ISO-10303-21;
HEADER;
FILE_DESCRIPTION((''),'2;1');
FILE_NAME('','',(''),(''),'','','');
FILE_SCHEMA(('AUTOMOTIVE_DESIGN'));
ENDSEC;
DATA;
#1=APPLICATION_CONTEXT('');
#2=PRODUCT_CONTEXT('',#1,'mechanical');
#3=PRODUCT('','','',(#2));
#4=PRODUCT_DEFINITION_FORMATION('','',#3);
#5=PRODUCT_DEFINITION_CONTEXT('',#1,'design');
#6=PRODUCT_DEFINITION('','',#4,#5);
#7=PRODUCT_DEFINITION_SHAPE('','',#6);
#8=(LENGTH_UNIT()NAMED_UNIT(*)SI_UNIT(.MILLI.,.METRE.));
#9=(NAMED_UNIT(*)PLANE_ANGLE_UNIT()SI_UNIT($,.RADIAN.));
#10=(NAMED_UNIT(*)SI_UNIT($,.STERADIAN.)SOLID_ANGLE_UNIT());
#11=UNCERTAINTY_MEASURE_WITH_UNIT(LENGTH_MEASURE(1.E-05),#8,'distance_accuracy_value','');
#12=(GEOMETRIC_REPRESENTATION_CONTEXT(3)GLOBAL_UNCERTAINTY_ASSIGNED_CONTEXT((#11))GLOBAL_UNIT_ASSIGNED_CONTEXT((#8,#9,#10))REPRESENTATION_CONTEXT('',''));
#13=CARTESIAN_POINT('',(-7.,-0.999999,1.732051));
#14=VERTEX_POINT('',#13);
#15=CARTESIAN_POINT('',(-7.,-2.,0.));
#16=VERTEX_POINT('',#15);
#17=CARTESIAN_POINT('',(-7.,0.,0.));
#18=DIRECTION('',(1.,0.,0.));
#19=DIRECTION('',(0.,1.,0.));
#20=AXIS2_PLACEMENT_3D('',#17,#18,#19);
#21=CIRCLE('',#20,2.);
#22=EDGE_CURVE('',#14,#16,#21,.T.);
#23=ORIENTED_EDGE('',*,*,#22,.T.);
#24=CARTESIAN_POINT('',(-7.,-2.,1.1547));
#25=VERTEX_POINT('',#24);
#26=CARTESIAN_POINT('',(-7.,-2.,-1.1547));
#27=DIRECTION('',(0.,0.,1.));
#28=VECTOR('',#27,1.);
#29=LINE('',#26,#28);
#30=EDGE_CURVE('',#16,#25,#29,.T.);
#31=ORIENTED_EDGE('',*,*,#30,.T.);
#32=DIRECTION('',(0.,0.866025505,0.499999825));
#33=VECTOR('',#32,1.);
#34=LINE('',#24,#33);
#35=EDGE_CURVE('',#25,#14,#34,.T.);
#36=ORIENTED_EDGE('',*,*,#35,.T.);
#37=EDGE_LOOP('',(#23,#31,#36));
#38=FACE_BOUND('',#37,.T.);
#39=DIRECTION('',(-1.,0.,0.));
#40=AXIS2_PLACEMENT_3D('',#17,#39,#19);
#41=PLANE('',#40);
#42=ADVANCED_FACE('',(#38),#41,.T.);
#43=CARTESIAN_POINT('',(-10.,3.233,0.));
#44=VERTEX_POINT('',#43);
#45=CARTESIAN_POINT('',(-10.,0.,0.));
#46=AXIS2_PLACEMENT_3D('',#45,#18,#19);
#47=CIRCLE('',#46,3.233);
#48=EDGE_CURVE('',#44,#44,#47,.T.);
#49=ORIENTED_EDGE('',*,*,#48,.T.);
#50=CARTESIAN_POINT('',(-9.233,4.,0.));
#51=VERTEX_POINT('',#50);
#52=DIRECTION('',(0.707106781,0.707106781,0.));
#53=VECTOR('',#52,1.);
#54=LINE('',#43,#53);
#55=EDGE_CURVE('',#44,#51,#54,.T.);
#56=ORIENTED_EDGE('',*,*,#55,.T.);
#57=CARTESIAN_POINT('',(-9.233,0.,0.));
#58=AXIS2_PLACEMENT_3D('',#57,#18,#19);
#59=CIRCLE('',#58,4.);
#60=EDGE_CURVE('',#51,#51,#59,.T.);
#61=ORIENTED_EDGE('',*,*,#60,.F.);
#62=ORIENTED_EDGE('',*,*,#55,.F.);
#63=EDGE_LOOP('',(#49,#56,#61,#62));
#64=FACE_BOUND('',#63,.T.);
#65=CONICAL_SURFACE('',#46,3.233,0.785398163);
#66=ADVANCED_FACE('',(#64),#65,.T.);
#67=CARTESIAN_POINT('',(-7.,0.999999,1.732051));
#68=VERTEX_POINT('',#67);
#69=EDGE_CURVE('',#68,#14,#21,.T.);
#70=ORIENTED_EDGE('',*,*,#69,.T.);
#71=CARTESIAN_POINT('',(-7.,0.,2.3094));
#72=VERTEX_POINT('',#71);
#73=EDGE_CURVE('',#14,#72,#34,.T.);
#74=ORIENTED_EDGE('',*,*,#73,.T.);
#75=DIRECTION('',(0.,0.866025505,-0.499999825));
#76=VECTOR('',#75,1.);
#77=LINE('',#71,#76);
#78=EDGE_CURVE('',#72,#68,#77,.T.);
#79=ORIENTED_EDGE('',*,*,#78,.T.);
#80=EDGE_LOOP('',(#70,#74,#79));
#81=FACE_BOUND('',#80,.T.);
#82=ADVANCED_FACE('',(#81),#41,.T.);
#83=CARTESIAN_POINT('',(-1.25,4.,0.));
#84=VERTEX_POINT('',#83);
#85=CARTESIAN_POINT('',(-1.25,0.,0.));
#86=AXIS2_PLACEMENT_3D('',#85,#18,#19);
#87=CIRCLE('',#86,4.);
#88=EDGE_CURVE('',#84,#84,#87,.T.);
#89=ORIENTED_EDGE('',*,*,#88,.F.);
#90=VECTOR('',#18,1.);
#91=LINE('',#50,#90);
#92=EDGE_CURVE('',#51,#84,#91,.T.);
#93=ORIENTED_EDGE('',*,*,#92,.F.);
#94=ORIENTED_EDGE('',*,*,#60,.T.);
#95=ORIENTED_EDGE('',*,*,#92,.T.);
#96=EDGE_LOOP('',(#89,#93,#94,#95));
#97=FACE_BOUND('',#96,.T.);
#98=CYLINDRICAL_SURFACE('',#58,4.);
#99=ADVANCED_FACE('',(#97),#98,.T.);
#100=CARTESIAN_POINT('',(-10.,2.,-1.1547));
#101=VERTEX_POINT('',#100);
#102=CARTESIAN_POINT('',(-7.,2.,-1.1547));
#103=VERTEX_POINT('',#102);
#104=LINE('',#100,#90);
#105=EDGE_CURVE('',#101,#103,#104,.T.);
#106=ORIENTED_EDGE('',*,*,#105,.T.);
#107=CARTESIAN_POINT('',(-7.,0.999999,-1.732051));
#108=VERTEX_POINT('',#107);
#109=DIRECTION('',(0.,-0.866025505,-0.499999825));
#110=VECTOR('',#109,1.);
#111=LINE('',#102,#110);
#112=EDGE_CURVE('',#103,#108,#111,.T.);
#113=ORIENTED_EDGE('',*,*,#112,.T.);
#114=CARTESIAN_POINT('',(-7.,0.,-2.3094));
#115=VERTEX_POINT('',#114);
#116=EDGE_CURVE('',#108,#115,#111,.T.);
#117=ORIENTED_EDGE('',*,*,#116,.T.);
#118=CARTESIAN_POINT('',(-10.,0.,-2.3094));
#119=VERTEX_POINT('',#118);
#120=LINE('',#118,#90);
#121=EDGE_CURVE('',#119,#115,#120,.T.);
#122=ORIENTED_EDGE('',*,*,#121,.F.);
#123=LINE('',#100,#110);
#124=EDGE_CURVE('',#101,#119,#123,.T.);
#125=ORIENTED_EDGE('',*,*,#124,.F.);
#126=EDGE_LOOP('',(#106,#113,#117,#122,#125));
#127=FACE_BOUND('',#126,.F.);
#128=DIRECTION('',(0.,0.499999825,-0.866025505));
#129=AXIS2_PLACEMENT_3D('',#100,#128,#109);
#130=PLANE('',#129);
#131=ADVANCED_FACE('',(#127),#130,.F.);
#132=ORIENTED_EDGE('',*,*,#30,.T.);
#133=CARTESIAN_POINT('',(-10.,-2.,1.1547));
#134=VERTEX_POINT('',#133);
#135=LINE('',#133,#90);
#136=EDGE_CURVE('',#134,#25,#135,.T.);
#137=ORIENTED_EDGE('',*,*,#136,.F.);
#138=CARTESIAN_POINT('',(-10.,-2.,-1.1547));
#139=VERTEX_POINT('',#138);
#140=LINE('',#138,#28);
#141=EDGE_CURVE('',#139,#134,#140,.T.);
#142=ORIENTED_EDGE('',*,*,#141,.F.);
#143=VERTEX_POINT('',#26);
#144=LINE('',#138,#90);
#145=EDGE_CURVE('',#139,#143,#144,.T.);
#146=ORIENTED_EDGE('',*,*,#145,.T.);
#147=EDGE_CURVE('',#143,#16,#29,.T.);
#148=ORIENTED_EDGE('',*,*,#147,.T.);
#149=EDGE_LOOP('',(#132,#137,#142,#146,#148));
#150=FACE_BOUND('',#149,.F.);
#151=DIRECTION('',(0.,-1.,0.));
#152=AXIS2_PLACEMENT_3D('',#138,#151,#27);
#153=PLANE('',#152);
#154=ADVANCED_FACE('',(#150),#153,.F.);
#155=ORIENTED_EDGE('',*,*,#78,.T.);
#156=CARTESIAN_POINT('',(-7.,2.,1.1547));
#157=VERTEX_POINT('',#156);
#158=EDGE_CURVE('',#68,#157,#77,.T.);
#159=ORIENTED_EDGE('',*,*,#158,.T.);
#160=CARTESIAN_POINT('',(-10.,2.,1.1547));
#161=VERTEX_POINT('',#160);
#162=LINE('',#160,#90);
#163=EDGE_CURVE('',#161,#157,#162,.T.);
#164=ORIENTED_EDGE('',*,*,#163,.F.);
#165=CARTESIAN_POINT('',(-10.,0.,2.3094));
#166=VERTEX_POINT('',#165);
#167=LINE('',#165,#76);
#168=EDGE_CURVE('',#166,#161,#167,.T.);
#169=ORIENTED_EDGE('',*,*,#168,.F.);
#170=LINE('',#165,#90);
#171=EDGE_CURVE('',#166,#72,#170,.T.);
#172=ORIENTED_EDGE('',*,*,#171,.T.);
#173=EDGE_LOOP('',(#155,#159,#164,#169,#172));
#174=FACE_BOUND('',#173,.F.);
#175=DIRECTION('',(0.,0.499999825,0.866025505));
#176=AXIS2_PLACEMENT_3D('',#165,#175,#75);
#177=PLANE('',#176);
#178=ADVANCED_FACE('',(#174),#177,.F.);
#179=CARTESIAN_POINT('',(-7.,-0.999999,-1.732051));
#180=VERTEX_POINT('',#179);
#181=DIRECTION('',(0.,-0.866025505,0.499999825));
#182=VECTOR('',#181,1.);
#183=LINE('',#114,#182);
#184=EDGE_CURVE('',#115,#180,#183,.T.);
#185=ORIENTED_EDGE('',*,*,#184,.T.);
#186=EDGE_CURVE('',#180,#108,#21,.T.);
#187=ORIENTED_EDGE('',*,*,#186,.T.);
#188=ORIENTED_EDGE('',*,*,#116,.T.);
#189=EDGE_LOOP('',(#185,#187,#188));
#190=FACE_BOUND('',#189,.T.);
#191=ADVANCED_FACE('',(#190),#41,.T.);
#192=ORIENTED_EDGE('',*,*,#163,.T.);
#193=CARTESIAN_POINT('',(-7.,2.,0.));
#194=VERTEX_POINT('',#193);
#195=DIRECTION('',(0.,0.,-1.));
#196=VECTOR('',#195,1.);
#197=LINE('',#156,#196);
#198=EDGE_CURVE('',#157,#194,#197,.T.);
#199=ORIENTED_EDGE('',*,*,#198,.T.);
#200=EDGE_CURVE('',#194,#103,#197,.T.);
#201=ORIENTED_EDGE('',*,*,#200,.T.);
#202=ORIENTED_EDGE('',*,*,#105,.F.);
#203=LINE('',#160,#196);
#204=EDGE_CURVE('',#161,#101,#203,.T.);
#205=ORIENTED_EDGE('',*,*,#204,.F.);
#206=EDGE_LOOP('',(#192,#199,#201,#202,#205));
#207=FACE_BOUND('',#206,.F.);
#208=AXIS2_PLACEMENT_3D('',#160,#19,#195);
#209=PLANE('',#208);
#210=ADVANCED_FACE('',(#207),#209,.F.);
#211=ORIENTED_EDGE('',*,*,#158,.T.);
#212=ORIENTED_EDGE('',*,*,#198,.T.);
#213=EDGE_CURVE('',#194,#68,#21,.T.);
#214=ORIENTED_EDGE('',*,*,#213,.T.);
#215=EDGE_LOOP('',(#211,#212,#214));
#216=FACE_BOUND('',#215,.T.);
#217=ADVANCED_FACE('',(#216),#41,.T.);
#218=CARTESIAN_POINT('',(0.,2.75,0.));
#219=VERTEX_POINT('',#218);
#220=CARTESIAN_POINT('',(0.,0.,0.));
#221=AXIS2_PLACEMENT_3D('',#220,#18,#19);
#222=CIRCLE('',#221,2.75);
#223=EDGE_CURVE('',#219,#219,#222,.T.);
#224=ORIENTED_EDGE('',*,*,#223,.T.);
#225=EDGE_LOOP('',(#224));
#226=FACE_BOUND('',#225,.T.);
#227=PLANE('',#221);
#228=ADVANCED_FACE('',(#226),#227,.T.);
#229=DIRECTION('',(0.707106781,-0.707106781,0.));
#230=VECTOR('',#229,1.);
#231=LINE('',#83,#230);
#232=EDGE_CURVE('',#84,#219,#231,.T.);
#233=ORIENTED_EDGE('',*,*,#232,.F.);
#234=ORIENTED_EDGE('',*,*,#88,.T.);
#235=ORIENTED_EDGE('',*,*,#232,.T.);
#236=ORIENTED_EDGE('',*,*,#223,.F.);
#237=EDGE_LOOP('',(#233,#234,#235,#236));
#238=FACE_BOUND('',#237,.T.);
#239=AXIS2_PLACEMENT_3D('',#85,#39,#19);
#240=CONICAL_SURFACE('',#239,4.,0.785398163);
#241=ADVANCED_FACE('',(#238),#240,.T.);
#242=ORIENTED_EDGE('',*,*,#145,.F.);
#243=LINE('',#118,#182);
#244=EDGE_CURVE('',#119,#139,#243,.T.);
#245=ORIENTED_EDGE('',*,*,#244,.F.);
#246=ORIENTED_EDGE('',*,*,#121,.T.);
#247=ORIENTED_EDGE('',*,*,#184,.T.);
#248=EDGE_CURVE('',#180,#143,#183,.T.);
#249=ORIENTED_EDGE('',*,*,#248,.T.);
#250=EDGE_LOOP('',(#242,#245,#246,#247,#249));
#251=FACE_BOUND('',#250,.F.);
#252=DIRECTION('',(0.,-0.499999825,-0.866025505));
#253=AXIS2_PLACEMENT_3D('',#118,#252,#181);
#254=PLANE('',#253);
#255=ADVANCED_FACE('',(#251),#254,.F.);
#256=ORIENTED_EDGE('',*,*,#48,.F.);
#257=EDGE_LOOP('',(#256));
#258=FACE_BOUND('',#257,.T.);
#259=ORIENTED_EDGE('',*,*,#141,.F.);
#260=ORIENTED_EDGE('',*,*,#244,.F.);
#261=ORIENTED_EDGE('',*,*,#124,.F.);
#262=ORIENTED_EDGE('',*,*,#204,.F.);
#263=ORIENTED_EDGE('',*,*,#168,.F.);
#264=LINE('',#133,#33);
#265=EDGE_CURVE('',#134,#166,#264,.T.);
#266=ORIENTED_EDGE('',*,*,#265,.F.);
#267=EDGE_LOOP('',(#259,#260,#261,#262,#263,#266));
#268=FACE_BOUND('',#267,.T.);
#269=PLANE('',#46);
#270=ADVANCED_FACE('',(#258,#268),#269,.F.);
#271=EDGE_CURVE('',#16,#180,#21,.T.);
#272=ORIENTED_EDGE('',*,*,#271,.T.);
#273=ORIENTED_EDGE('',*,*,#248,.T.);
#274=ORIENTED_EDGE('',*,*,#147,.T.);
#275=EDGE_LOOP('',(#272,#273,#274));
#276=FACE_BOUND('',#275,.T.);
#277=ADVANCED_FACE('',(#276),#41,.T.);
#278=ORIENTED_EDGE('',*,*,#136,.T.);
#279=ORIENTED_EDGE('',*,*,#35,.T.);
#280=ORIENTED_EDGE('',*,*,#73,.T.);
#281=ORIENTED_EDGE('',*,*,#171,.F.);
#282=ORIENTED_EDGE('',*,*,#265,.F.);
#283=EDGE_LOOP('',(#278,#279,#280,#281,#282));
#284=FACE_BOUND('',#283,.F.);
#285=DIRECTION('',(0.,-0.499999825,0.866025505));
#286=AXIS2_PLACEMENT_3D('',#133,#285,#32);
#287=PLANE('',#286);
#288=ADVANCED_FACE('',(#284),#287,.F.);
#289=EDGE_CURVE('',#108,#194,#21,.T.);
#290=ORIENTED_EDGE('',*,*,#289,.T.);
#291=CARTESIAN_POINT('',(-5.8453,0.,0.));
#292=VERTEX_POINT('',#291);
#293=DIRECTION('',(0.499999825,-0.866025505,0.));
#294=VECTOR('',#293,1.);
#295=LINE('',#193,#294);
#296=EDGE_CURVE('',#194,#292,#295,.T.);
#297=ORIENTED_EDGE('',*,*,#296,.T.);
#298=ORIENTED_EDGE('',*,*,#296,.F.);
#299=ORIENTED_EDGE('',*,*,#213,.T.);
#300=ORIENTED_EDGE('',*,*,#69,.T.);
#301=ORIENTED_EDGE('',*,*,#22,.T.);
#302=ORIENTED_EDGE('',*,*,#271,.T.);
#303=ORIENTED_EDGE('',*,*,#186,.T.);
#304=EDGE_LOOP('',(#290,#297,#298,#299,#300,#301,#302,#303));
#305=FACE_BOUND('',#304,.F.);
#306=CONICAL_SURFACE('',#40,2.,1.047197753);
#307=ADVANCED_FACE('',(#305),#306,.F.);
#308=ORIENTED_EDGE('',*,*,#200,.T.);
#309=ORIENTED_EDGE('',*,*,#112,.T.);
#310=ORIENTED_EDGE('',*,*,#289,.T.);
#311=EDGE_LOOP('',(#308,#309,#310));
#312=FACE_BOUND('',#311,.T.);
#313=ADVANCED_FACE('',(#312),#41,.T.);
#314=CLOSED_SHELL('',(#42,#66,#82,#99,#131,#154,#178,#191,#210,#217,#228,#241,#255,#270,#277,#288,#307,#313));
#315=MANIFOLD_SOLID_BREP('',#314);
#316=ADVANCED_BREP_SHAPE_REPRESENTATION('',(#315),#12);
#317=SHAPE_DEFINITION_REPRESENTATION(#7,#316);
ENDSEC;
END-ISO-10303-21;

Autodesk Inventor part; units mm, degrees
sketch "Sketch_1" plane through (0, 0, 0) normal (0, 0, 1) x (1, 0, 0)
  line L0 (0, 0) -> (-10, 0)
  line L1 (-10, 0) -> (-10, 3.233)
  line L2 (-10, 3.233) -> (-9.233, 4)
  line L3 (-9.233, 4) -> (-1.25, 4)
  line L4 (-1.25, 4) -> (0, 2.75)
  line L5 (0, 2.75) -> (0, 0)
  line L6 (0, 0) -> (-10, 0)
revolve "Revolution1" add sketch "Sketch_1" angle 360 about axis through (0, 0, 0) along (1, 0, 0)
thread "Thread1" size "M8x1.25" class "6g" standard "ISO Metric profile" full length
sketch "Sketch_2" plane through (-10, 0, 0) normal (-1, 0, 0) x (0, 1, 0)
  line L0 (-2, -1.1547) -> (0, -2.3094)
  line L1 (0, -2.3094) -> (2, -1.1547)
  line L2 (2, -1.1547) -> (2, 1.1547)
  line L3 (2, 1.1547) -> (0, 2.3094)
  line L4 (0, 2.3094) -> (-2, 1.1547)
  line L5 (-2, 1.1547) -> (-2, -1.1547)
extrude "Extrusion1" cut sketch "Sketch_2" against normal blind 3
sketch "Sketch_3" plane through (0, 0, 0) normal (0, 0, 1) x (1, 0, 0)
  line L0 (-5.8453, 0) -> (-7, 0)
  line L1 (-7, 0) -> (-7, 2)
  line L2 (-7, 2) -> (-5.8453, 0)
  line L3 (-5.8453, 0) -> (-7, 0)
revolve "Revolution2" cut sketch "Sketch_3" angle 360 about axis through (-5.8453, 0, 0) along (1, 0, 0)
ref_plane "CP_XY" through (0, 0, 0) normal (1, 0, 0) x (0, 0, -1)
ref_plane "CP_YZ" through (0, 0, 0) normal (0, 0, -1) x (0, 1, 0)
ref_plane "CP_ZX" through (0, 0, 0) normal (0, 1, 0) x (1, 0, 0)
properties part number "SET-SCREW8-10"
